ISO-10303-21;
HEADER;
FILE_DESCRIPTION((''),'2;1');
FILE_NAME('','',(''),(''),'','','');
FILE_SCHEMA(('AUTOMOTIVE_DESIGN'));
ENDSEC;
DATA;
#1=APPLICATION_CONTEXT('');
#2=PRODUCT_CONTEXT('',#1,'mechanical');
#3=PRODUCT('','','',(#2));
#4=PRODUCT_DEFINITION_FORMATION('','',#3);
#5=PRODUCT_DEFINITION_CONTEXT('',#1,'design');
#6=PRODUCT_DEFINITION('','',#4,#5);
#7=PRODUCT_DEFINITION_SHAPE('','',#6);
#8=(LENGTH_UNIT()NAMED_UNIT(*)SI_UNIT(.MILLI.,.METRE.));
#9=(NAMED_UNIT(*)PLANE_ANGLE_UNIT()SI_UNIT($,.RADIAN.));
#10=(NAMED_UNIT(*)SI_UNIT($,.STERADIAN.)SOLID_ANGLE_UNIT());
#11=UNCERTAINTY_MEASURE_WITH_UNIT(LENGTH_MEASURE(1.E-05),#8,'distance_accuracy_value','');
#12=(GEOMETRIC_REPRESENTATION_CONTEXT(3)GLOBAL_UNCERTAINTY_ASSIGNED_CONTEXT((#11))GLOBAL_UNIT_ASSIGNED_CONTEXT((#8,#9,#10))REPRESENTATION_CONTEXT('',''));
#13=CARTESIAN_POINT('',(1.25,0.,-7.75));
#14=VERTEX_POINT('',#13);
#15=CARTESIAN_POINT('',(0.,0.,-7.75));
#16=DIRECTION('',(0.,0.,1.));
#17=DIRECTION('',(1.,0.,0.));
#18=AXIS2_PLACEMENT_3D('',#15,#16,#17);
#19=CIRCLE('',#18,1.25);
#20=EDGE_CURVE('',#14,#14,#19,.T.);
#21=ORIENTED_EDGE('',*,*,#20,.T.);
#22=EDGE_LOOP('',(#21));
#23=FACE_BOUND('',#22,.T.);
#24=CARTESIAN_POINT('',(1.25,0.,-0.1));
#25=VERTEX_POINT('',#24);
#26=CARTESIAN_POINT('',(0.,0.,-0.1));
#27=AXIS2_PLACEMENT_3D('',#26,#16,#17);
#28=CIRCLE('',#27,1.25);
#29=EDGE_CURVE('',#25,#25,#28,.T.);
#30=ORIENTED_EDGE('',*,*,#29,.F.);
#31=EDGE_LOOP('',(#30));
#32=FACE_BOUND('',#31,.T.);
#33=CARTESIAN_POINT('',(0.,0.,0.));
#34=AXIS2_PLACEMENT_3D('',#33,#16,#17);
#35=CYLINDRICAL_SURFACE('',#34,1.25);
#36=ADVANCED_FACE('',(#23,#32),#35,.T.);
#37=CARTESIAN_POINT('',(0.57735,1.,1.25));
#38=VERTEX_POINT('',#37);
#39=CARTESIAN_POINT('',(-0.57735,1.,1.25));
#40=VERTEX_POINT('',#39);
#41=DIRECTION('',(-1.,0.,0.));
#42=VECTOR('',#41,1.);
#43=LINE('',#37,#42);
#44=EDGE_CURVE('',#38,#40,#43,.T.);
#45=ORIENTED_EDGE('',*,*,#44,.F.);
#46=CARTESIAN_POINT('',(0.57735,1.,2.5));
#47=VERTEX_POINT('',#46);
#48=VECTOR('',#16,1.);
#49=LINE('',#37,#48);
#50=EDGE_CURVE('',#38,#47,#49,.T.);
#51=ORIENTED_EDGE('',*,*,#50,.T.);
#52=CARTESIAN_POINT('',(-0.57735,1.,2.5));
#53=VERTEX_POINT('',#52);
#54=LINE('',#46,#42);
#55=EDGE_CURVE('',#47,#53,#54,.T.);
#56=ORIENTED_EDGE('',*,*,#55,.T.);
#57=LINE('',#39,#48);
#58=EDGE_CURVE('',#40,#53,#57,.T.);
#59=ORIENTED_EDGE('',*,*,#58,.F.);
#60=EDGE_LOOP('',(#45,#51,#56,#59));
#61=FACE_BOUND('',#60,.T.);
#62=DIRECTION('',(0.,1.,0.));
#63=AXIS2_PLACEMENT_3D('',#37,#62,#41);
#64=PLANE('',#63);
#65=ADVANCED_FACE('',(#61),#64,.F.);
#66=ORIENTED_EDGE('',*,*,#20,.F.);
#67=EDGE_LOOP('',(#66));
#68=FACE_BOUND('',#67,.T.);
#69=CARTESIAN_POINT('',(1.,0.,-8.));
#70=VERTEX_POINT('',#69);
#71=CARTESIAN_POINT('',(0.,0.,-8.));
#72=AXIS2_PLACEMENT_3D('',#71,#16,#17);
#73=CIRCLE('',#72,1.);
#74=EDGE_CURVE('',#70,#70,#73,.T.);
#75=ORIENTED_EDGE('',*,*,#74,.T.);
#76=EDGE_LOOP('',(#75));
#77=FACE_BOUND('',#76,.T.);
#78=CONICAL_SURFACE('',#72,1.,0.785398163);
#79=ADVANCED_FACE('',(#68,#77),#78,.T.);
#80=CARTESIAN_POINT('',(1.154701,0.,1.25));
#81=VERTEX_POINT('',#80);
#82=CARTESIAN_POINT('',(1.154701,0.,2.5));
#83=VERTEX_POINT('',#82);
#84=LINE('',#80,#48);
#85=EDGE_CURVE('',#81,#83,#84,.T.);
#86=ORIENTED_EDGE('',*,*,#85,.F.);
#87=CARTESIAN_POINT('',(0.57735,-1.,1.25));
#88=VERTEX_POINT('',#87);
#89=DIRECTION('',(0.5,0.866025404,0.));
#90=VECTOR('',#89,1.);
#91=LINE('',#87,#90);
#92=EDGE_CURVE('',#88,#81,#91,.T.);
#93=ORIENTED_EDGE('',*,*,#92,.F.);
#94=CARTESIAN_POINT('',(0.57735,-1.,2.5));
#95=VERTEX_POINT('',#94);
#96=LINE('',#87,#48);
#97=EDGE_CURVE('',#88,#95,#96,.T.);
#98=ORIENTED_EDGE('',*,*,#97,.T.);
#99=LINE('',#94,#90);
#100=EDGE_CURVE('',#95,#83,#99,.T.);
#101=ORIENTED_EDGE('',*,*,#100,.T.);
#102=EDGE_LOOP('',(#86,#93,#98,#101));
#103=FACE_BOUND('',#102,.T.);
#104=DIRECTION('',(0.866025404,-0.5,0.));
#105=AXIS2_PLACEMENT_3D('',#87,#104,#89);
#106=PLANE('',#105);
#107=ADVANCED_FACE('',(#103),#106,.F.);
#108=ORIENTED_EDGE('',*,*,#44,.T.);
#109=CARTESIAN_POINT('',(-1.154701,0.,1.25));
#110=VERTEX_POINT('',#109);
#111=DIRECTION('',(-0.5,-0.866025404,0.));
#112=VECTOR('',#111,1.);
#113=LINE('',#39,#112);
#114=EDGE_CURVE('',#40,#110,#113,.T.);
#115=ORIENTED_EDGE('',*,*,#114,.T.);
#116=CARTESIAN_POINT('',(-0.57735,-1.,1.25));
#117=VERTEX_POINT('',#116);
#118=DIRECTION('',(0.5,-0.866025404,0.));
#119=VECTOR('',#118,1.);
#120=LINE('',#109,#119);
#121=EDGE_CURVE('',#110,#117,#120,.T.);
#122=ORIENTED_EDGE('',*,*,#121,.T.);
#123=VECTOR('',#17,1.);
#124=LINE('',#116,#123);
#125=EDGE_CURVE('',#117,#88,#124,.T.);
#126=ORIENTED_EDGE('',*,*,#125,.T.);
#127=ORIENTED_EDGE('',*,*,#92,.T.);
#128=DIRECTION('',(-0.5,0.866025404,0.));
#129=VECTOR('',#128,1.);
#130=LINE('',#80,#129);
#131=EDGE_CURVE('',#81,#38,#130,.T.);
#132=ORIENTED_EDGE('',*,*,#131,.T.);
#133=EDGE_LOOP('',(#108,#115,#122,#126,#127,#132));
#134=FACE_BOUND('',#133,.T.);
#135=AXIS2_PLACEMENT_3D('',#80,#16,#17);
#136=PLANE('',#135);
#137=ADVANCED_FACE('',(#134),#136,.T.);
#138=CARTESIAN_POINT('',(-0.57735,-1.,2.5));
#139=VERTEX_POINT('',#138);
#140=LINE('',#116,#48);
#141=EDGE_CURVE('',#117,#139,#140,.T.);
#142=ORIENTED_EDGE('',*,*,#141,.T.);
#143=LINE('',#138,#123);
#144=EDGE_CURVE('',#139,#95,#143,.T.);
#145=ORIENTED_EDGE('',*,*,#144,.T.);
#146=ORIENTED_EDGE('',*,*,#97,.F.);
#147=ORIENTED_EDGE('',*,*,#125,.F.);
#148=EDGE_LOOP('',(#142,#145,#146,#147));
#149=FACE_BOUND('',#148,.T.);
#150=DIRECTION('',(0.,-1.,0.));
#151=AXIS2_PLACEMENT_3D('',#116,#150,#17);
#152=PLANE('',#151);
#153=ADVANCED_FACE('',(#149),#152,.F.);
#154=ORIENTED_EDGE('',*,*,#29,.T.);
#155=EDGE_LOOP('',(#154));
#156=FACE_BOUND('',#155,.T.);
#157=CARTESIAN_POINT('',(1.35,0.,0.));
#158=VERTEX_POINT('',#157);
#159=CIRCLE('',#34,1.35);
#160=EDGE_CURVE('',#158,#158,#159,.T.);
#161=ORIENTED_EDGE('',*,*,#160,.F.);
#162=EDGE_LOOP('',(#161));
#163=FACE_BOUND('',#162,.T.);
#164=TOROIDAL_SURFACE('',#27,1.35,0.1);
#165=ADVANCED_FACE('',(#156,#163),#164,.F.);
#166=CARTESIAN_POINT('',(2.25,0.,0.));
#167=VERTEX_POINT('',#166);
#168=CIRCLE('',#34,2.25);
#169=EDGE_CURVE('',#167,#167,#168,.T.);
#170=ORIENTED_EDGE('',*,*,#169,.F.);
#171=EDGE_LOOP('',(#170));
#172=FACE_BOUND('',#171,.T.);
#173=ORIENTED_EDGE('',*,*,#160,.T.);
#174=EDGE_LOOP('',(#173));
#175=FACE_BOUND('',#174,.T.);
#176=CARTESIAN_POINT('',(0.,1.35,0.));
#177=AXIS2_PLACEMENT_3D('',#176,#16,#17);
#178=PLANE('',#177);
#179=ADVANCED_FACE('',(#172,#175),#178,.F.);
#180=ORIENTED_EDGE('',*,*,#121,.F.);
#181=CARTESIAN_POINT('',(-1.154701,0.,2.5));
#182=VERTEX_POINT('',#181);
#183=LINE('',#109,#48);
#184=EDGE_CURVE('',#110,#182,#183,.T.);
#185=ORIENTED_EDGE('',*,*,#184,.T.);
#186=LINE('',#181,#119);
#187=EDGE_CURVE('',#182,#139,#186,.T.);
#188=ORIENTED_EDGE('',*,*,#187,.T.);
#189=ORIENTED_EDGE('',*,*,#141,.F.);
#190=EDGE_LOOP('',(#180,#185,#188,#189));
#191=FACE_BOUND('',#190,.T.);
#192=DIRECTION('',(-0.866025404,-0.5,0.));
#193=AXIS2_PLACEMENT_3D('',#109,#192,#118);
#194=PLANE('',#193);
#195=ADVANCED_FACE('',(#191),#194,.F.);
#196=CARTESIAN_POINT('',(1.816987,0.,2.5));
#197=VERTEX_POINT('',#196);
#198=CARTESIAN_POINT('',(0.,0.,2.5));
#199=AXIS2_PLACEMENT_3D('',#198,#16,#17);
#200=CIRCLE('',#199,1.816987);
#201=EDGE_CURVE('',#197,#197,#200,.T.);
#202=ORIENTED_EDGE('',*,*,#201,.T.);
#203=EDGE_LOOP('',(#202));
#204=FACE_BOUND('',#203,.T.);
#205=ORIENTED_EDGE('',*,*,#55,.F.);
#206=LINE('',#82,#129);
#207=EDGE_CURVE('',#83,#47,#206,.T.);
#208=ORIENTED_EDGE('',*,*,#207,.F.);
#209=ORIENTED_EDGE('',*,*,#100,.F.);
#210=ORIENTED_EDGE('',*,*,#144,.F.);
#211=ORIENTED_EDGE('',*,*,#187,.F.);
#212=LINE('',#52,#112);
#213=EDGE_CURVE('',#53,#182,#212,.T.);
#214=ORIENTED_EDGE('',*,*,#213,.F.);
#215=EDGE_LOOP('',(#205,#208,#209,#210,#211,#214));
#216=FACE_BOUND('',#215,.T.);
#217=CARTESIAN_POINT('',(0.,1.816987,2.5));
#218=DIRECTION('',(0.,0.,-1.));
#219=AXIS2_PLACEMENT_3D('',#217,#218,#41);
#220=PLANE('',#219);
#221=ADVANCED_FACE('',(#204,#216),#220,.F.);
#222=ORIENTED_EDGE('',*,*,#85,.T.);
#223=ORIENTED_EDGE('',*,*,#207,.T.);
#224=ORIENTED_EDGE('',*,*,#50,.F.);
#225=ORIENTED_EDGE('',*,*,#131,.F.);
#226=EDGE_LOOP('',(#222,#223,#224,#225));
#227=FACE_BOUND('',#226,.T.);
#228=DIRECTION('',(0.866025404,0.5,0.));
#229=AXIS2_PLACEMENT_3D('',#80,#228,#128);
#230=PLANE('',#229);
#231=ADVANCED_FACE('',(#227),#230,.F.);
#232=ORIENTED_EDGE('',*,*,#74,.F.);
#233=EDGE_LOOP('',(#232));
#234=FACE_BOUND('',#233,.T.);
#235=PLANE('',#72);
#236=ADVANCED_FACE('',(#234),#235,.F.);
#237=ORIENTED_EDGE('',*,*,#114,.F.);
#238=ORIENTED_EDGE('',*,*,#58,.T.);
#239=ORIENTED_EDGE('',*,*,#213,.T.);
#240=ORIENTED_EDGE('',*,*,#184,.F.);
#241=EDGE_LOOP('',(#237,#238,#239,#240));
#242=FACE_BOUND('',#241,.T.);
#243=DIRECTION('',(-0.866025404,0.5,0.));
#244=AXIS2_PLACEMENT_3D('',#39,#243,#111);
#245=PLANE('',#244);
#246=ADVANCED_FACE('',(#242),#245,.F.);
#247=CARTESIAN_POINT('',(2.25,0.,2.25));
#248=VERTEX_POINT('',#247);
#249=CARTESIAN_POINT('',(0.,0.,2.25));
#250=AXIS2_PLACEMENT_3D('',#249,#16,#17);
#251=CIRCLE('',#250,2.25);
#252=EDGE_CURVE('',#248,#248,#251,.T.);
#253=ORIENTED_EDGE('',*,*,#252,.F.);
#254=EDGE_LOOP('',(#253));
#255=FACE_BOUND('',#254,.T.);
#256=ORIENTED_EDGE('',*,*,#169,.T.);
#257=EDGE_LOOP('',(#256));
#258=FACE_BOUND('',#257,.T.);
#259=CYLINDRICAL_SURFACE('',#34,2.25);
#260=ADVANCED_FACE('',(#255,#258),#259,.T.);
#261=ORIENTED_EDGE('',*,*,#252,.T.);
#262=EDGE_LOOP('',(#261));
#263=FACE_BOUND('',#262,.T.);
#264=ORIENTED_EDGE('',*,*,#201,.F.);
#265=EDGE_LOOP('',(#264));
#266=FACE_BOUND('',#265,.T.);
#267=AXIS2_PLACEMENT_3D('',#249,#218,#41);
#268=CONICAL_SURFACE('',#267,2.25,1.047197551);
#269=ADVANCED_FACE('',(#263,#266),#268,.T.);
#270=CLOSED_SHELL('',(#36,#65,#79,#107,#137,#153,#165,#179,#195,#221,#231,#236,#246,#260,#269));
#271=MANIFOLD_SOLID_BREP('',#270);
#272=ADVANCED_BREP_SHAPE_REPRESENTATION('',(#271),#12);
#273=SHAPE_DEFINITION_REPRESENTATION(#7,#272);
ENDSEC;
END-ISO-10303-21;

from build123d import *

# Parameters (mm, degrees)
HEX_CUT_DEPTH = 1.25


with BuildPart() as part:
    # Body_Sketch → Body_Revolve (revolve)
    with BuildSketch(Plane(origin=(0, 0, 0), x_dir=(0, 0, -1), z_dir=(1, 0, 0))):
        with BuildLine():
            Line((8, 0), (8, 1))
            Line((8, 1), (7.75, 1.25))
            Line((7.75, 1.25), (0.1, 1.25))
            ThreePointArc((0.1, 1.25), (0.029289322, 1.279289322), (0, 1.35))
            Line((0, 1.35), (0, 2.25))
            Line((0, 2.25), (-2.25, 2.25))
            Line((-2.25, 2.25), (-2.5, 1.816987298))
            Line((-2.5, 1.816987298), (-2.5, 0))
            Line((-2.5, 0), (8, 0))
        make_face()
    revolve(axis=Axis((0, 0, 0), (0, 0, -1)))

    # Key_Sketch → Hex_Cut (cut)
    with BuildSketch(Plane.XY.offset(2.5)):
        Polygon((1.154700538, 0), (0.577350269, 1), (-0.577350269, 1), (-1.154700538, 0), (-0.577350269, -1), (0.577350269, -1), align=None)
    extrude(amount=-HEX_CUT_DEPTH, mode=Mode.SUBTRACT)


solid = part.part
